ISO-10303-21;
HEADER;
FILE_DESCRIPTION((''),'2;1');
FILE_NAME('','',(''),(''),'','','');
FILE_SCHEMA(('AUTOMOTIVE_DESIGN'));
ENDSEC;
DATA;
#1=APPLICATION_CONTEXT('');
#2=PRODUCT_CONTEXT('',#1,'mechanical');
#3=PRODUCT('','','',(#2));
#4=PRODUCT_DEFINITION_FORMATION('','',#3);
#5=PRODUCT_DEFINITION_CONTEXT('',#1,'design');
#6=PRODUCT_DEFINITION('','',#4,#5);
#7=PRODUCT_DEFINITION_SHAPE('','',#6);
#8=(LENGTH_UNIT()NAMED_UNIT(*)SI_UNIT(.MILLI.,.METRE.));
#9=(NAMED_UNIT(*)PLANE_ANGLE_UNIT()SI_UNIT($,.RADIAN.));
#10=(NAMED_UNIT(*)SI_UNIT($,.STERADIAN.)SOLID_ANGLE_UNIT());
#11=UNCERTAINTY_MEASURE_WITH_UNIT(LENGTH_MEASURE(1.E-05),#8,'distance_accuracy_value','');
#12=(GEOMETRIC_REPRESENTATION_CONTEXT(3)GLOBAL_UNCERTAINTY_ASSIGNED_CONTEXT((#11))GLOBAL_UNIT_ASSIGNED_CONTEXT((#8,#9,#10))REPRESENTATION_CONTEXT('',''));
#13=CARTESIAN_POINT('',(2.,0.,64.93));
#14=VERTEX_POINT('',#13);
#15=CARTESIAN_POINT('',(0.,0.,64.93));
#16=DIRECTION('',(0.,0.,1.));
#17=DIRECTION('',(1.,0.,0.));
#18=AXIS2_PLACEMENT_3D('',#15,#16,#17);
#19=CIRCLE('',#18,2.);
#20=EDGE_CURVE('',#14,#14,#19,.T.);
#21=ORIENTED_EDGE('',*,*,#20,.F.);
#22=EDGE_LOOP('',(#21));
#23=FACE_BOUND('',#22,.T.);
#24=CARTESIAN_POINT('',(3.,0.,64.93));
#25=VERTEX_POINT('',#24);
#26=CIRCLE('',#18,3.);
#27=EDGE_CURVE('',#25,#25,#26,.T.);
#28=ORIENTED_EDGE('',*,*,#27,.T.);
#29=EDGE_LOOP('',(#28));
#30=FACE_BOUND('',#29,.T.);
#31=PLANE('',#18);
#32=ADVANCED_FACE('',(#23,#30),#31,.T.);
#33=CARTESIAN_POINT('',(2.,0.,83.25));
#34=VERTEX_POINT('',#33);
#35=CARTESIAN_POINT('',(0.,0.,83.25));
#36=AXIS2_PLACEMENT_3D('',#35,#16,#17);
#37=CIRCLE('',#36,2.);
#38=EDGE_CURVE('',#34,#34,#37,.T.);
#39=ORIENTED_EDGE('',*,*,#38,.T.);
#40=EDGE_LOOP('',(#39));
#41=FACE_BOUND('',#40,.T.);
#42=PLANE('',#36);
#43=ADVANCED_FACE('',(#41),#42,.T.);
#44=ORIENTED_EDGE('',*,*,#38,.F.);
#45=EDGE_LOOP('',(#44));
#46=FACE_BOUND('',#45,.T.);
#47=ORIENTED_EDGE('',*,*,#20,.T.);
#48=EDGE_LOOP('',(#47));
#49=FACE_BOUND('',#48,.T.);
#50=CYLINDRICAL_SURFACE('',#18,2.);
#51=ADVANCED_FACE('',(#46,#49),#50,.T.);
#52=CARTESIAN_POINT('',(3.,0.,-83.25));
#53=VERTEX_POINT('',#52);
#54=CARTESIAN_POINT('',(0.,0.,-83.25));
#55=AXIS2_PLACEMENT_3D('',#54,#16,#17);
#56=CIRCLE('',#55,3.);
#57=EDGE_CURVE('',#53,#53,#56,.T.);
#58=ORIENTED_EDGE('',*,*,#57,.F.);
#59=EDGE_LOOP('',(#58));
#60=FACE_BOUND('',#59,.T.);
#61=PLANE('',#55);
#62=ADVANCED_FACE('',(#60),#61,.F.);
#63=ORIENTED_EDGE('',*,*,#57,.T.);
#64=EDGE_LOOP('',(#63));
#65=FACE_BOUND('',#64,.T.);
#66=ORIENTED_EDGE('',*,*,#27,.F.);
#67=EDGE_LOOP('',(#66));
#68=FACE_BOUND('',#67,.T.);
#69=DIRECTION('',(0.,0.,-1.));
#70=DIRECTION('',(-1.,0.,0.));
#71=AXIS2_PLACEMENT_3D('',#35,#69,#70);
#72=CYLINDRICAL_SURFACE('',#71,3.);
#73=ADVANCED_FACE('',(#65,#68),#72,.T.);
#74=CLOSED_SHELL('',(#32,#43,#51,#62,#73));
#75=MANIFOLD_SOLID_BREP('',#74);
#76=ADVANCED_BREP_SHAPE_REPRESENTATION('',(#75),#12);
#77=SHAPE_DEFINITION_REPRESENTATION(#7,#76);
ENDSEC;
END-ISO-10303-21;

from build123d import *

# Parameters (mm, degrees)
SKETCH2_R           = 3
BOSS_EXTRUDE1_DEPTH = 83.25
SKETCH3_R           = 3
SKETCH3_R_2         = 2
CUT_EXTRUDE1_DEPTH  = 18.32


with BuildPart() as part:
    # Sketch2 → Boss-Extrude1 (new, symmetric)
    with BuildSketch(Plane.XY):
        Circle(SKETCH2_R)
    extrude(amount=BOSS_EXTRUDE1_DEPTH, both=True)

    # Sketch3 → Cut-Extrude1 (cut)
    with BuildSketch(Plane.XY.offset(83.25)):
        Circle(SKETCH3_R)
        Circle(SKETCH3_R_2, mode=Mode.SUBTRACT)
    extrude(amount=-CUT_EXTRUDE1_DEPTH, mode=Mode.SUBTRACT)


solid = part.part
